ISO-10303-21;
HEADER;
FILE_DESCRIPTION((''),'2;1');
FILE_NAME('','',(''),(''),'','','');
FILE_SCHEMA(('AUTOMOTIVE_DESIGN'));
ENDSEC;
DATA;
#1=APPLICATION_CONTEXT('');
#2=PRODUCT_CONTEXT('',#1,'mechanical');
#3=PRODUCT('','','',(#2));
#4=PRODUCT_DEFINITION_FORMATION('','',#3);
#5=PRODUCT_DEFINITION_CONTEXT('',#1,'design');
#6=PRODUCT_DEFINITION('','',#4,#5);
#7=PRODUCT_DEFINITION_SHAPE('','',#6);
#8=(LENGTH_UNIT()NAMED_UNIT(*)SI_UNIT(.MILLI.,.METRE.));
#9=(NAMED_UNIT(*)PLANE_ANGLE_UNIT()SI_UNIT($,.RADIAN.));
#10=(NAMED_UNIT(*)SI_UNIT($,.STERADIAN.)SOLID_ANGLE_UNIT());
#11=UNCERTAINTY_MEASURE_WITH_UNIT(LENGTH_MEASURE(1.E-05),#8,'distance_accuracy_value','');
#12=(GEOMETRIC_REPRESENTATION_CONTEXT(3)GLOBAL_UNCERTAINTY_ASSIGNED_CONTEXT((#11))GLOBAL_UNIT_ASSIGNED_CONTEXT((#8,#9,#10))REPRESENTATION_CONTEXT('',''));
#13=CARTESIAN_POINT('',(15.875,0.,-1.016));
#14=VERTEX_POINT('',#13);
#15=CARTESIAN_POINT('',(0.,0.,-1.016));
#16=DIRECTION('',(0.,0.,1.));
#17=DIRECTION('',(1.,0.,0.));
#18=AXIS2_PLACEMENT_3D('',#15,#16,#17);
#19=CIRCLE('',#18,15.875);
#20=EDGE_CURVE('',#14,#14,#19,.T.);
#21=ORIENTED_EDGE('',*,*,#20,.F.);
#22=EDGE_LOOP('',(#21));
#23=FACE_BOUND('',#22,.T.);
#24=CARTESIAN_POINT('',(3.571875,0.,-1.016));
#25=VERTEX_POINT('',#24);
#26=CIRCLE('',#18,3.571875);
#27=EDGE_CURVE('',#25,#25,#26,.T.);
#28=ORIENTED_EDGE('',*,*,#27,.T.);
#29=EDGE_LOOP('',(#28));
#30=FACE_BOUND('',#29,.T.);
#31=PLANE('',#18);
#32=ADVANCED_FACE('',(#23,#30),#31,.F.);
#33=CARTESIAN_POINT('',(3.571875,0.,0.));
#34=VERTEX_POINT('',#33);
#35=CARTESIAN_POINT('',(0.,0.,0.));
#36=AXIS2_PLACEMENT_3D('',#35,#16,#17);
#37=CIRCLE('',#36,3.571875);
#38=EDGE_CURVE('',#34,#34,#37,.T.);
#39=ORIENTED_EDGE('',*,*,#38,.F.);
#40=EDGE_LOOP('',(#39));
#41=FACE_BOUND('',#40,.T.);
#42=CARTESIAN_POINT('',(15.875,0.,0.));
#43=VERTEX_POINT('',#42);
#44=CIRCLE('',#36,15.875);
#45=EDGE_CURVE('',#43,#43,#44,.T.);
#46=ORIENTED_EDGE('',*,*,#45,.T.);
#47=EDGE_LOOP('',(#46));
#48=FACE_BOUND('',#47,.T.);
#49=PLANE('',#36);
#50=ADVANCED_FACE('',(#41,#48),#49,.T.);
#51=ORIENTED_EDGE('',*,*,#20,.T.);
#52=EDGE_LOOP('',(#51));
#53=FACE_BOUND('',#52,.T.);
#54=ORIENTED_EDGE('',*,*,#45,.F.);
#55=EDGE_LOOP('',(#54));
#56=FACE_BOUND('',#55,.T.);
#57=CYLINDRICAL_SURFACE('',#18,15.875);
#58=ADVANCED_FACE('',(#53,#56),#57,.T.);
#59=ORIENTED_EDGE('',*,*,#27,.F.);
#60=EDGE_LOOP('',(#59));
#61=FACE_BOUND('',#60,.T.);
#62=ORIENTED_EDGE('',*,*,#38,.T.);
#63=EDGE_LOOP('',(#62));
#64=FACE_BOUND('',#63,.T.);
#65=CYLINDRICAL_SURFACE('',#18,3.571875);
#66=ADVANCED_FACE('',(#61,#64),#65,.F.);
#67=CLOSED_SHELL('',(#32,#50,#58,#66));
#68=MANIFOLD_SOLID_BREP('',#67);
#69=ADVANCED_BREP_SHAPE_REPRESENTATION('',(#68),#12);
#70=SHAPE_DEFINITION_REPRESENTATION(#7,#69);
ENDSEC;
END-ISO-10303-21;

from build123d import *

# Parameters (mm, degrees)
SKETCH1_R      = 15.875
SKETCH1_R_2    = 3.571875
EXTRUDE1_DEPTH = 1.016


with BuildPart() as part:
    # Sketch1 → Extrude1 (new body)
    with BuildSketch(Plane.XY):
        Circle(SKETCH1_R)
        Circle(SKETCH1_R_2, mode=Mode.SUBTRACT)
    extrude(amount=-EXTRUDE1_DEPTH)


solid = part.part
